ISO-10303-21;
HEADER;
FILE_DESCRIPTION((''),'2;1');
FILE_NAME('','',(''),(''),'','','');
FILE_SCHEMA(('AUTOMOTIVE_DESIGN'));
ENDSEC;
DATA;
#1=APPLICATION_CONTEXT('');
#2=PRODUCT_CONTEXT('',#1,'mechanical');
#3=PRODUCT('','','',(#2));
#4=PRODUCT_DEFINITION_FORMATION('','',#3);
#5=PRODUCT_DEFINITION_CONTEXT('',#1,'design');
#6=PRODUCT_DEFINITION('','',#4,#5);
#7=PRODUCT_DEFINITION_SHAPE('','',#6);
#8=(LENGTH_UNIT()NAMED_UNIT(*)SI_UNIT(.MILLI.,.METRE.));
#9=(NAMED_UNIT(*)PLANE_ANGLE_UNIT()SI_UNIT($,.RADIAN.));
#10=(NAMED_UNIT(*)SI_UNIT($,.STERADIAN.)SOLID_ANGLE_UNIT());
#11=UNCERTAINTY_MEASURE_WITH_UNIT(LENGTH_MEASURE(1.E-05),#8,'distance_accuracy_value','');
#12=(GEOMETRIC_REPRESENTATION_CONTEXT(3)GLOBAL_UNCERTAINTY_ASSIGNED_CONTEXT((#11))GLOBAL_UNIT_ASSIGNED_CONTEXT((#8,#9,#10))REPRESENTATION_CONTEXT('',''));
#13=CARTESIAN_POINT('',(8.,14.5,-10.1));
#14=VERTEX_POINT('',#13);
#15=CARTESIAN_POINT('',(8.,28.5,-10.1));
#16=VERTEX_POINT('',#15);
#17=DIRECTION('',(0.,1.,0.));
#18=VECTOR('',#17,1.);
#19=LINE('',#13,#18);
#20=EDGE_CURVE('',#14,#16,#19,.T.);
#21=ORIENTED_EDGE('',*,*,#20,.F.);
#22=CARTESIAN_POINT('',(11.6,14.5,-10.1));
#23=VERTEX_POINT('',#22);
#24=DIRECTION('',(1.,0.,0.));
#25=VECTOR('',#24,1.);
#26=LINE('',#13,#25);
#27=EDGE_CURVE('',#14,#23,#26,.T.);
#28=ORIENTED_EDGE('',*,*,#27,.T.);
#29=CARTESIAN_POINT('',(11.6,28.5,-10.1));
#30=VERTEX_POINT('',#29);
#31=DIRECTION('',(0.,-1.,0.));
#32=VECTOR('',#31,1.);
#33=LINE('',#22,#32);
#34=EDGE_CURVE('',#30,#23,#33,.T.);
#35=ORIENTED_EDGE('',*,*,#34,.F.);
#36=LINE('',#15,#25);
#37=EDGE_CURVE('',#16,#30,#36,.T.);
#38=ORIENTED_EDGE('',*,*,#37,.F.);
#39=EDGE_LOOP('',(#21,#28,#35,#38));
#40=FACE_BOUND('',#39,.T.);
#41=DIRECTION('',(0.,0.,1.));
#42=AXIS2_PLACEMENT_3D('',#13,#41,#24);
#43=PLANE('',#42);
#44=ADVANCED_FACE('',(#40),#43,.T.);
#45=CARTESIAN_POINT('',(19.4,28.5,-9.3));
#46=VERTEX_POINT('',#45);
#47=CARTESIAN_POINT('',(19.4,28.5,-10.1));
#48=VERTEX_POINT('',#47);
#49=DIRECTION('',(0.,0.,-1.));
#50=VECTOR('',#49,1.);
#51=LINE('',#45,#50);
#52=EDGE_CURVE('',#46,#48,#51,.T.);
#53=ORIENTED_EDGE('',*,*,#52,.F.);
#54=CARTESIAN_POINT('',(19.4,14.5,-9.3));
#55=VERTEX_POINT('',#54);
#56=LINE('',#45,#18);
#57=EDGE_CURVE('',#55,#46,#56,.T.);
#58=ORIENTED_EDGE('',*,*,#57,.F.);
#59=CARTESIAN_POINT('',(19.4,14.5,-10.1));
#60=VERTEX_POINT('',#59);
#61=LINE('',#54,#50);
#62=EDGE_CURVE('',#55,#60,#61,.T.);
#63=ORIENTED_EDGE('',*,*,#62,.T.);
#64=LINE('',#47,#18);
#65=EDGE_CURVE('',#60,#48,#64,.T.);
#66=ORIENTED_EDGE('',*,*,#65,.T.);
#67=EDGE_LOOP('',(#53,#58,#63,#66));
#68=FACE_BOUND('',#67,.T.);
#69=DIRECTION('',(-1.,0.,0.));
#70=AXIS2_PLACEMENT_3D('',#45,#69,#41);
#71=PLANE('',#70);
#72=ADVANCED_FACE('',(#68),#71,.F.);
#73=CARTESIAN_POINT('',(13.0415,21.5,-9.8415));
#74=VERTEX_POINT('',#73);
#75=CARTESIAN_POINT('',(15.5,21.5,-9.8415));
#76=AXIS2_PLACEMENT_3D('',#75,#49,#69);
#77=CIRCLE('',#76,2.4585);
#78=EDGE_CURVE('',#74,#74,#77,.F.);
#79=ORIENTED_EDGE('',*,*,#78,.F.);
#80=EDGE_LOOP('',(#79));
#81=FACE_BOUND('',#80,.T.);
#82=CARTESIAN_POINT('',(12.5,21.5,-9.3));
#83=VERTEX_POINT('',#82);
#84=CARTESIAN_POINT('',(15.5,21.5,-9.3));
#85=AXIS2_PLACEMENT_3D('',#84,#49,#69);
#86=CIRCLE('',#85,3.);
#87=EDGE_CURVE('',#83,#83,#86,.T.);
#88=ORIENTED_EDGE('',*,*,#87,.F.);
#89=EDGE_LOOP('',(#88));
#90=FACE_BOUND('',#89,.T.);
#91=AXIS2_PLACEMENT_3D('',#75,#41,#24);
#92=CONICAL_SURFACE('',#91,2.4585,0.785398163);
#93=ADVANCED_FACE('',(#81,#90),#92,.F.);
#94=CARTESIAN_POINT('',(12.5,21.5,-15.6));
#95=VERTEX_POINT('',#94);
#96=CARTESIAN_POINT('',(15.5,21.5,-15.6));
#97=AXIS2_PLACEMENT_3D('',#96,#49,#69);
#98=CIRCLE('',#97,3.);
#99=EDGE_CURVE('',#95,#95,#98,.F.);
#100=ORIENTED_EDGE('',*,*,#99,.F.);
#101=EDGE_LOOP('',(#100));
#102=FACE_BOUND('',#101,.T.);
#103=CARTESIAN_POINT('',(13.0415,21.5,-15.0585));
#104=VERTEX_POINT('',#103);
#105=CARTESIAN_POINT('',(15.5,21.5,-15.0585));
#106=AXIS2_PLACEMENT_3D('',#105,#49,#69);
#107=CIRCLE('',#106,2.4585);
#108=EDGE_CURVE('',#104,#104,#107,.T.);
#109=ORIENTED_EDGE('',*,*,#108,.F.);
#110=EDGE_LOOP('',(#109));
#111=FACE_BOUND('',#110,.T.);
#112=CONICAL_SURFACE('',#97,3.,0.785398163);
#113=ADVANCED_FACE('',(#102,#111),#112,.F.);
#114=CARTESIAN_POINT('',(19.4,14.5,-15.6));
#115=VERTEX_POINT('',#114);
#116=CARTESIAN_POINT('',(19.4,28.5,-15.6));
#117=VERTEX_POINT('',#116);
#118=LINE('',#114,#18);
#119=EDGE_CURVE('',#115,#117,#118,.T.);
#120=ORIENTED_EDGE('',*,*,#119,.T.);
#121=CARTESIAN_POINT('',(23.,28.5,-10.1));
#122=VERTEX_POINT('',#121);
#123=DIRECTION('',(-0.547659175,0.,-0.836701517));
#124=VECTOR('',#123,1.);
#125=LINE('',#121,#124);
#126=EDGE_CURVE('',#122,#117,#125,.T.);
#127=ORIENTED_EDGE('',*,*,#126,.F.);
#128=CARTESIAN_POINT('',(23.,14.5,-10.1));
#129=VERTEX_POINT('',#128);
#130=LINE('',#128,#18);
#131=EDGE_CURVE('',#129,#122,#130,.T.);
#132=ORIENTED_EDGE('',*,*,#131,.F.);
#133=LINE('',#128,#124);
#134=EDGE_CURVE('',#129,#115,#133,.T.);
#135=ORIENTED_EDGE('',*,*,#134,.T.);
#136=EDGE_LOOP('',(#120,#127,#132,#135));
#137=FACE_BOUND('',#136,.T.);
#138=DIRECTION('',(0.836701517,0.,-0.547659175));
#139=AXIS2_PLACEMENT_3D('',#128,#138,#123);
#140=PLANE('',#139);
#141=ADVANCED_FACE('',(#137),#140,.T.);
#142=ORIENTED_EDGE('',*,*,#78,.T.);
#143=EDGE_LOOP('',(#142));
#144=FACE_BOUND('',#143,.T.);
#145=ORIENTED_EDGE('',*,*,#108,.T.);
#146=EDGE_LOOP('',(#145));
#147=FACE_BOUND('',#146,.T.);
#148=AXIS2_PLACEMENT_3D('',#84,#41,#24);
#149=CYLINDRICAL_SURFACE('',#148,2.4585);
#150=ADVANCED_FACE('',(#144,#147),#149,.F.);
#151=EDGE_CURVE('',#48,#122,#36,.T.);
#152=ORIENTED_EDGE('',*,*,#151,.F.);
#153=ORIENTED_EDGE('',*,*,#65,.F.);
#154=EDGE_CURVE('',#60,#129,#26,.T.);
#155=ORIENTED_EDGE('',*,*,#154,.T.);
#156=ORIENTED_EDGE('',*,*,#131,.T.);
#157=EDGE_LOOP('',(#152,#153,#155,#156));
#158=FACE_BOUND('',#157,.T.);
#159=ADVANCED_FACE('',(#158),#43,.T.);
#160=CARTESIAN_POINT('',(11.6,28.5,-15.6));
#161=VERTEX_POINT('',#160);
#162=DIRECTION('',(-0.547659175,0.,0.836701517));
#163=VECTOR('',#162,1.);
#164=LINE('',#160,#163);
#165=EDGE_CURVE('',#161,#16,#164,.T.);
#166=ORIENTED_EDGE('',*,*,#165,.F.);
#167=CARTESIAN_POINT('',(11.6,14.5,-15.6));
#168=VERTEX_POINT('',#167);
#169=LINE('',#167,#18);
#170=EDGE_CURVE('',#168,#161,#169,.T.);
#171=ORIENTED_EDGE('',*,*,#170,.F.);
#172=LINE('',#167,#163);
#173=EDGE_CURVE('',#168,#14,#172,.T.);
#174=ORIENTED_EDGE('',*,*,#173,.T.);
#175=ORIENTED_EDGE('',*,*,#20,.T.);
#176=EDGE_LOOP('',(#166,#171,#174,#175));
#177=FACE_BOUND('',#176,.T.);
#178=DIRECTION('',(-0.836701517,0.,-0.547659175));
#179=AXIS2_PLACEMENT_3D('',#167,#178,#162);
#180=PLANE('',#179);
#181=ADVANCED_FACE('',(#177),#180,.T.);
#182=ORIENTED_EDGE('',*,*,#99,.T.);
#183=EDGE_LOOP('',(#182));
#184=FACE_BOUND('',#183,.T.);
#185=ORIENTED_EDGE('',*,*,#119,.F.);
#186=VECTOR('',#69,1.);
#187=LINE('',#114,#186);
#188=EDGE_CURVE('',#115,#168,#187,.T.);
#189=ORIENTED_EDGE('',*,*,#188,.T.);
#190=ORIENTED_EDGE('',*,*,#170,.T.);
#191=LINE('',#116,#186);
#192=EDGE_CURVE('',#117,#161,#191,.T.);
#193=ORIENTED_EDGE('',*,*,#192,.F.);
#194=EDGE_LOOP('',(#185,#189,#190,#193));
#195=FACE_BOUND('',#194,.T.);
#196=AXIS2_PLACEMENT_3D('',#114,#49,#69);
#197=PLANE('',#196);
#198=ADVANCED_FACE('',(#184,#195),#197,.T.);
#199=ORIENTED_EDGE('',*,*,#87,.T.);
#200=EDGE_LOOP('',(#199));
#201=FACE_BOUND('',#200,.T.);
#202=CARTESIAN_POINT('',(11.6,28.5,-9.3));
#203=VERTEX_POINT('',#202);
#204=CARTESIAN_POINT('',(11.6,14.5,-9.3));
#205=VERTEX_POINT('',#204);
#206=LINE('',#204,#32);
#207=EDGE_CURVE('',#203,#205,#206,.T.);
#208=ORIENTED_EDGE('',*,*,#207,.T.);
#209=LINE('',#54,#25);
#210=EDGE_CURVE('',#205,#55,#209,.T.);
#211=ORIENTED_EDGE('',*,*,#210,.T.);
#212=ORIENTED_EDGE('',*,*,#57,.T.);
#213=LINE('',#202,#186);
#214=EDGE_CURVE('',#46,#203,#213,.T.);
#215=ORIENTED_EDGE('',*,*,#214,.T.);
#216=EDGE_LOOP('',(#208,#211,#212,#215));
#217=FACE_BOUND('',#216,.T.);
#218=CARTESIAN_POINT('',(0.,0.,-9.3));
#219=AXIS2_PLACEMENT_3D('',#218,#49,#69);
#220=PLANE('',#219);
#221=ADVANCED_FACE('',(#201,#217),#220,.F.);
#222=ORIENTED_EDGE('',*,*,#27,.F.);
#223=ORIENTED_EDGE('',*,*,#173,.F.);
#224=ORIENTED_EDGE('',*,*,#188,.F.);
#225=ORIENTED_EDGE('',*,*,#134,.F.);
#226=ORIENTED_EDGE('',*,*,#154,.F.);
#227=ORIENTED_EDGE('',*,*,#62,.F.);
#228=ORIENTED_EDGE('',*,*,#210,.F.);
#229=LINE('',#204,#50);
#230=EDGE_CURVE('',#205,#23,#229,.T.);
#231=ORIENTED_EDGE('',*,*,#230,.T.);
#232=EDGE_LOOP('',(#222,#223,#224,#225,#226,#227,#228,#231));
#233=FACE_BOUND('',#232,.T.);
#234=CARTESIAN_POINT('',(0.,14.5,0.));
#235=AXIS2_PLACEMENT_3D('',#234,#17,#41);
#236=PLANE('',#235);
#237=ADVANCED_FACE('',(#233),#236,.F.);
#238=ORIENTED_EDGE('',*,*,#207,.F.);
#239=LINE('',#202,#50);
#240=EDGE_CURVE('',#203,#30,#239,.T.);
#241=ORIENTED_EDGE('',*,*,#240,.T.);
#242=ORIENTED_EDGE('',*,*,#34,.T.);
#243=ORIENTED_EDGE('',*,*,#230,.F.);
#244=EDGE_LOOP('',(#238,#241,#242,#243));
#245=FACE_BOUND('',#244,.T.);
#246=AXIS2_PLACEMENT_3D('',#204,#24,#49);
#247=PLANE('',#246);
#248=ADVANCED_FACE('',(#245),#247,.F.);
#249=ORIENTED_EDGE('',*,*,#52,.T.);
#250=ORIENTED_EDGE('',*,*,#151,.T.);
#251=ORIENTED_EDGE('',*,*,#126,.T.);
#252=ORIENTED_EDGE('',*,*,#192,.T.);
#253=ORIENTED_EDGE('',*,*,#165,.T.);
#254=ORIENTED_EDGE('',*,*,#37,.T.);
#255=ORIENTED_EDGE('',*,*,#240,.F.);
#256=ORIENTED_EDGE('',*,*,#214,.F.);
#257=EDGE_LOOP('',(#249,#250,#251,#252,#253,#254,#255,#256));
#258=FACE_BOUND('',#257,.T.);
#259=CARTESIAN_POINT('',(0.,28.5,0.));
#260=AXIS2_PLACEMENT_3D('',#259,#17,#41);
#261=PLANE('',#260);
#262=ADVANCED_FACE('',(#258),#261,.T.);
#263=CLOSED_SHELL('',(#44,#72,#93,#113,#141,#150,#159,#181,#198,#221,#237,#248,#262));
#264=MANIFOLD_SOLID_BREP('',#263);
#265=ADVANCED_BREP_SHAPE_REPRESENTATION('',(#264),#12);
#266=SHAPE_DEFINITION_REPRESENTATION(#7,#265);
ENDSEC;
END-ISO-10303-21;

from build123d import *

# Parameters (mm, degrees)
EXTRUDE1_DEPTH = 14
SKETCH2_W      = 7.8
SKETCH2_H      = 14
EXTRUDE2_DEPTH = 0.8
HOLEWZD1_D     = 4.917
HOLEWZD1_DEPTH = 6.3
CHAMFER1_SIZE  = 0.5415


with BuildPart() as part:
    # Sketch1 → Extrude1 (new body)
    with BuildSketch(Plane(origin=(0, 28.5, 0), x_dir=(1, 0, 0), z_dir=(0, 1, 0))):
        Polygon((11.6, 15.6), (8, 10.1), (23, 10.1), (19.4, 15.6), align=None)
    extrude(amount=-EXTRUDE1_DEPTH)

    # Sketch2 → Extrude2 (add)
    with BuildSketch(Plane.XY.offset(-10.1)):
        with Locations((15.5, 21.5)):
            Rectangle(SKETCH2_W, SKETCH2_H)
    extrude(amount=EXTRUDE2_DEPTH)

    # HoleWzd1
    with Locations(Plane.XY.offset(-9.3)):
        with Locations((15.5, 21.5)):
            Hole(HOLEWZD1_D / 2, depth=HOLEWZD1_DEPTH)

    # Chamfer1
    chamfer1_edges = [part.edges().sort_by_distance(p)[0] for p in [
        (17.9585, 21.5, -9.3),
        (17.9585, 21.5, -15.6),
    ]]
    chamfer(chamfer1_edges, length=CHAMFER1_SIZE)


solid = part.part
